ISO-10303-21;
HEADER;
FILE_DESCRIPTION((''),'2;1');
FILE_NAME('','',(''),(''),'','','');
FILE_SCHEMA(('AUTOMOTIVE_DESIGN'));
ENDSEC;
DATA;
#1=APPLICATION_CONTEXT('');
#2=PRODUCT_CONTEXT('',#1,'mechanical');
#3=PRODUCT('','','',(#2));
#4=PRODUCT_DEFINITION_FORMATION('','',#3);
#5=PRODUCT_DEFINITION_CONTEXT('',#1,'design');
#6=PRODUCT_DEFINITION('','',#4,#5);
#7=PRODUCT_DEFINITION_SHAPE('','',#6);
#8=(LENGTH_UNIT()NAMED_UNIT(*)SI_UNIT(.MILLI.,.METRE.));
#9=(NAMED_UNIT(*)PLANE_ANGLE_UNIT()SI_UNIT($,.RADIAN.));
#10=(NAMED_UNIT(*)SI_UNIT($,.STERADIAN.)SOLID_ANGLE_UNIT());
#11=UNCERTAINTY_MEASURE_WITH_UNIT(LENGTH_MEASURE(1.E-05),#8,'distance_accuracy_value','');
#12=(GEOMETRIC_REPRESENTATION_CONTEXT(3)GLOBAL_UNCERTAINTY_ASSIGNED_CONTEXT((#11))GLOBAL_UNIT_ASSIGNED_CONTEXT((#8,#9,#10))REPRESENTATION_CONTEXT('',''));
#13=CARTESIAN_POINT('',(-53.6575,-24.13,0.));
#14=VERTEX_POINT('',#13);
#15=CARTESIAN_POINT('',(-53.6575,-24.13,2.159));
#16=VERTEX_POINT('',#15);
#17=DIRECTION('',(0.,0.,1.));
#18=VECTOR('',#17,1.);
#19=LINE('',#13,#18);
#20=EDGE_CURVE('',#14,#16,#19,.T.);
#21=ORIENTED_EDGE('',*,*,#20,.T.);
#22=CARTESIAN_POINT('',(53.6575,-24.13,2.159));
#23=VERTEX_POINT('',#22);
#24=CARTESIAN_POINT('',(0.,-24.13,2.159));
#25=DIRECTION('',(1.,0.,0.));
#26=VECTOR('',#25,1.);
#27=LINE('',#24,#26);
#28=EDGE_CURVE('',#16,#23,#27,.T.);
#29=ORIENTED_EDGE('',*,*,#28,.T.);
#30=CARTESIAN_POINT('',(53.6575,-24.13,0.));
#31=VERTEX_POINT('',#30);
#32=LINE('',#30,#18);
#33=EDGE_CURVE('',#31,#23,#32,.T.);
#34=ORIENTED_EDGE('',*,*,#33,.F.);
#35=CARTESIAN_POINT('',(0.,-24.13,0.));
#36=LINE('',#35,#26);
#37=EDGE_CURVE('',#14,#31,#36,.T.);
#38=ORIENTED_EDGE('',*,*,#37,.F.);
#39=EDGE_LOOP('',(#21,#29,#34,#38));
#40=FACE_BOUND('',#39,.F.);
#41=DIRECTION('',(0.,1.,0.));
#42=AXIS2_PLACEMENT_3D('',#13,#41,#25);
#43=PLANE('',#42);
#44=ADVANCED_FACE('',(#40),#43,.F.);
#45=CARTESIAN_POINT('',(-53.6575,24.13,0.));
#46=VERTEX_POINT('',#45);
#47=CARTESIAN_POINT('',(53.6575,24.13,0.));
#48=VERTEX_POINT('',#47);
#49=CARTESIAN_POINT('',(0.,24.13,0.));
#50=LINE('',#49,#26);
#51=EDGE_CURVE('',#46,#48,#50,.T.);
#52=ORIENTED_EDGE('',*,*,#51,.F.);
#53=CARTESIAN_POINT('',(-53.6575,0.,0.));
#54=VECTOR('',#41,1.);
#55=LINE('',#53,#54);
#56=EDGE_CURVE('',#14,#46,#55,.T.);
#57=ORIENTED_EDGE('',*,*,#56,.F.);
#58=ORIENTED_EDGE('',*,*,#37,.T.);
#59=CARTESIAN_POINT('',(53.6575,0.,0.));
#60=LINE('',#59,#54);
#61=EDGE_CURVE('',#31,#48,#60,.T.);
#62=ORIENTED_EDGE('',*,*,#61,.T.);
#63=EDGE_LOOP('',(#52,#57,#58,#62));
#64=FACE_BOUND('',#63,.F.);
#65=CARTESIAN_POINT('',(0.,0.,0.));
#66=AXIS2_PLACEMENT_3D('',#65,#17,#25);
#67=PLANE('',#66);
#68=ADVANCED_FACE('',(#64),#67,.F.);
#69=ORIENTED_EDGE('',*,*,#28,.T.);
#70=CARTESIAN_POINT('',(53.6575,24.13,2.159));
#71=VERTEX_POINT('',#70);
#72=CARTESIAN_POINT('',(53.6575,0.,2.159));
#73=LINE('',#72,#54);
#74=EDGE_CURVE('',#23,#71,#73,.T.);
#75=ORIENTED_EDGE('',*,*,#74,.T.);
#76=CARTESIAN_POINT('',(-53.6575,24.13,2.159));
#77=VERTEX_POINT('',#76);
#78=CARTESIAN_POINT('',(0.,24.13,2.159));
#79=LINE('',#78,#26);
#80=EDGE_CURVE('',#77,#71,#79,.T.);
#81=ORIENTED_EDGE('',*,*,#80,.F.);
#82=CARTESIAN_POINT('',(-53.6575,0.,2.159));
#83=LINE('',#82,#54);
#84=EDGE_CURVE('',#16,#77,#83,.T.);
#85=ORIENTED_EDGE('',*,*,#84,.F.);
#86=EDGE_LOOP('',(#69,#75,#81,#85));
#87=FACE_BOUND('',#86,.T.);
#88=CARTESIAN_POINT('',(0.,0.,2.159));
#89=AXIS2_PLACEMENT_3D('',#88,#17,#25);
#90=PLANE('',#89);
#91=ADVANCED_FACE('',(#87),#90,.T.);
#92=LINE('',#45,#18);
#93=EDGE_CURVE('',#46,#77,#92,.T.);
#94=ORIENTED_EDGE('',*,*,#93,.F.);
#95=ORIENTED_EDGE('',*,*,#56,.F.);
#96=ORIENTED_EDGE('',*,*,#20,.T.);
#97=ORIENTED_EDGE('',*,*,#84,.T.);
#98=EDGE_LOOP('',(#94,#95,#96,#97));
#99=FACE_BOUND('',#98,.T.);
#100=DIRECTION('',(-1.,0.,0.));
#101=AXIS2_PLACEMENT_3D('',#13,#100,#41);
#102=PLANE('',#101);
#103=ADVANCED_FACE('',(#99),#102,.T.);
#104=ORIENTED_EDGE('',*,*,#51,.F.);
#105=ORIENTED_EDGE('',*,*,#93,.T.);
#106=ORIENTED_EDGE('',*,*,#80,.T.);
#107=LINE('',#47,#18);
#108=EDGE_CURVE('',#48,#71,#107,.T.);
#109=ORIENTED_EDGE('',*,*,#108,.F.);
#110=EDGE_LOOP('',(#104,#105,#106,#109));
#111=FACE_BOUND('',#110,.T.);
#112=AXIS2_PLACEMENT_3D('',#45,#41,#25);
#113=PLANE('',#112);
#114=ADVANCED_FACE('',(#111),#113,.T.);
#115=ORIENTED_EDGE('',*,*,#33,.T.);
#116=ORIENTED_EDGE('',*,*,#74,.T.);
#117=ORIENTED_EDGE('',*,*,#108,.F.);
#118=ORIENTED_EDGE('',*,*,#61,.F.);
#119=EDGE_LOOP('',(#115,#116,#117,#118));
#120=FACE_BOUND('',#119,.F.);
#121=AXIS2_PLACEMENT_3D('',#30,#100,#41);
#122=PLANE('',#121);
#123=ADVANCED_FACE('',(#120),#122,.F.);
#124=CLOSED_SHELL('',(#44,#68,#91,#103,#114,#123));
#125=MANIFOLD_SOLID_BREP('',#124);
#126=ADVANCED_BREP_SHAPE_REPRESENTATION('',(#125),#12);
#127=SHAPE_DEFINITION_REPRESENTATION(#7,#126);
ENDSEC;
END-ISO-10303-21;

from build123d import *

# Parameters (mm, degrees)
SKETCH_W  = 107.315
SKETCH_H  = 48.26
PAD_DEPTH = 2.159


with BuildPart() as part:
    # Sketch → Pad (new body)
    with BuildSketch(Plane.XY):
        Rectangle(SKETCH_W, SKETCH_H)
    extrude(amount=PAD_DEPTH)


solid = part.part
